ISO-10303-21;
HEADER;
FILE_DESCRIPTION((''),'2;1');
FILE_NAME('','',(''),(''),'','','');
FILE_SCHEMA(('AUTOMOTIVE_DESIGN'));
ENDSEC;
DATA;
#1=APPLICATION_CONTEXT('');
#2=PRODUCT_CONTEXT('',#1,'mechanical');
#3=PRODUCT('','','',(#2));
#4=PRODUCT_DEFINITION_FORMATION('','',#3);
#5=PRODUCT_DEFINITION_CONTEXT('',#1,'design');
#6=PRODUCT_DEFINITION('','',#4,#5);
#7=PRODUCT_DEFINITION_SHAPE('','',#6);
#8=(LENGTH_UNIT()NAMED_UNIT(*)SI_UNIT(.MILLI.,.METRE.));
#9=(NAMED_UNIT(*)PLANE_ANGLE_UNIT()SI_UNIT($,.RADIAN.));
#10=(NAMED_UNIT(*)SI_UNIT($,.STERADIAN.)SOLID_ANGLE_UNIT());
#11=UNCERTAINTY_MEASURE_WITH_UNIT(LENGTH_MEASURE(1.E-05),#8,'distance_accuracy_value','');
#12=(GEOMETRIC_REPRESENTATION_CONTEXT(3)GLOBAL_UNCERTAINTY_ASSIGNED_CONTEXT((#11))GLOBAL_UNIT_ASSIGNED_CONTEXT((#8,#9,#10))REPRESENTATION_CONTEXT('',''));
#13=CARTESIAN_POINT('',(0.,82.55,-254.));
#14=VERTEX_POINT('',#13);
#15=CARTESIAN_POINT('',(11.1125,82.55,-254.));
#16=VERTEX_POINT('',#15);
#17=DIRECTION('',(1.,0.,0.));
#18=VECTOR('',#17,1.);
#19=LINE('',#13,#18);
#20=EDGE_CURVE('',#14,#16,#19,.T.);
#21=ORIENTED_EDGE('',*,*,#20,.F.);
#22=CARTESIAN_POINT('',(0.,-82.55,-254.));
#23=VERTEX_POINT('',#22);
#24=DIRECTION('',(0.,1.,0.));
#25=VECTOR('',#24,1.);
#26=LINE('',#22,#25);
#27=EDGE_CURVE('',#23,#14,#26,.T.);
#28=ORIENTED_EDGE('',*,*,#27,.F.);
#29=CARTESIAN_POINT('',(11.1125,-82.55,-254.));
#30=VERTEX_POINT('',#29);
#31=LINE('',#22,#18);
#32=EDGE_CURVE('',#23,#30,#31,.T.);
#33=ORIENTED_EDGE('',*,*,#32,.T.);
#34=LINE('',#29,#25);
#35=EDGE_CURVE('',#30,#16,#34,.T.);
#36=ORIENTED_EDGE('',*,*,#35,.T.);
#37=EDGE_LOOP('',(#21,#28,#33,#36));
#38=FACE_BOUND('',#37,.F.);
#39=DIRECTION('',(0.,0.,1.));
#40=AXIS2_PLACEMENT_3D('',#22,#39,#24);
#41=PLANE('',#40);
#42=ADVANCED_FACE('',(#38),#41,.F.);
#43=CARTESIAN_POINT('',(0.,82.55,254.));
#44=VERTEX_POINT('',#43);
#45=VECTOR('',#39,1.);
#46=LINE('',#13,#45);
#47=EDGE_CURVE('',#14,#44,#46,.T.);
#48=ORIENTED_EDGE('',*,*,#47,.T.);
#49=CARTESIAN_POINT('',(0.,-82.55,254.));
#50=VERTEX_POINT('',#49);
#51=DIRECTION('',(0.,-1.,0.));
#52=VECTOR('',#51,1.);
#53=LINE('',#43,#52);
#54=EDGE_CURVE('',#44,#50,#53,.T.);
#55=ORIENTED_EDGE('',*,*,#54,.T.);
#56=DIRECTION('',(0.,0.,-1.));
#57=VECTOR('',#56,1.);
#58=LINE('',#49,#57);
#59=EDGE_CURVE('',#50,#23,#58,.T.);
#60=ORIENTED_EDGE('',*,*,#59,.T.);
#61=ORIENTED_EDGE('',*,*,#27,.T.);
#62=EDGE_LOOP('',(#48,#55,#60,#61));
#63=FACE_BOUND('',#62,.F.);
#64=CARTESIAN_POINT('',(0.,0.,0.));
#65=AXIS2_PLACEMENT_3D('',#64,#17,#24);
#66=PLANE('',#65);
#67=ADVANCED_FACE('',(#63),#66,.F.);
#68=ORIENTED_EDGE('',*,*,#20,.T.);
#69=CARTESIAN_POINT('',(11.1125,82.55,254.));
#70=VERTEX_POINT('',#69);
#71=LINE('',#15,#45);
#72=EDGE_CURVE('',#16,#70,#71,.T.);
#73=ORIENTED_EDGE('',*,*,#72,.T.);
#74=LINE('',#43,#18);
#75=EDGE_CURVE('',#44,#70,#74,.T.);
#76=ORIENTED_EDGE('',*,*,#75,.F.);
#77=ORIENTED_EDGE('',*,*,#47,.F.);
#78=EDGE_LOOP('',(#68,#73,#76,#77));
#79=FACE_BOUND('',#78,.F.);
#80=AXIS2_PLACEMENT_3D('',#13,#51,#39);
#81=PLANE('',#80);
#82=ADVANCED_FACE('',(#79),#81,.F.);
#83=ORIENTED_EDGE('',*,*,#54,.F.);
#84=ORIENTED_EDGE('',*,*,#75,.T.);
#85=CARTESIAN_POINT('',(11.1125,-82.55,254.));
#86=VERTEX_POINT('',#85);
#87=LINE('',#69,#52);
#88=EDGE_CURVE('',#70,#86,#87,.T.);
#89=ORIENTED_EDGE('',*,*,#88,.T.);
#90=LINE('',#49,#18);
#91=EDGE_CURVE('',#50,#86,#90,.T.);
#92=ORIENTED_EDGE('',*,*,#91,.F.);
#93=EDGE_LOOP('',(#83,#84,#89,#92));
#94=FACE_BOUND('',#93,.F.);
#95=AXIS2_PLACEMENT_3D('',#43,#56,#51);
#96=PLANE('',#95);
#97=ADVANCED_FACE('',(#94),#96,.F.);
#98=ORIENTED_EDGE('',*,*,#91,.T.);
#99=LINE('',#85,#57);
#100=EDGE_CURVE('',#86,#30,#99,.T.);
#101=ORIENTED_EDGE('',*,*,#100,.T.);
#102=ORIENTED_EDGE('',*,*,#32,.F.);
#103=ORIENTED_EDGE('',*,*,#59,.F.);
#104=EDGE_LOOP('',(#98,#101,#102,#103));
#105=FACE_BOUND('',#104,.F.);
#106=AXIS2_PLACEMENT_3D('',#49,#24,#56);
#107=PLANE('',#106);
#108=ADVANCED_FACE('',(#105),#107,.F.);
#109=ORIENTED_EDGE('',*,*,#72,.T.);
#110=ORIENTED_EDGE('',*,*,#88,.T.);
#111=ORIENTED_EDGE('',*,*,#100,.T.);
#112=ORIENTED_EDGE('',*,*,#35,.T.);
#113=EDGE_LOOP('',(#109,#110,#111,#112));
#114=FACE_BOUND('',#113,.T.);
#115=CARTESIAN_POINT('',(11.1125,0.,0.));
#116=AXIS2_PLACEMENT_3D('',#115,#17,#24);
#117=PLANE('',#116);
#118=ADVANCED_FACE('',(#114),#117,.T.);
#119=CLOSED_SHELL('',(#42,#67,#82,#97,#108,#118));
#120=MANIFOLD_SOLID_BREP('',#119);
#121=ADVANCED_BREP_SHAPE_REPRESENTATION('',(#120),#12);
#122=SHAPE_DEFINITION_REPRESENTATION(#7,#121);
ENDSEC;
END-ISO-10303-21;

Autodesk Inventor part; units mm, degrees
ref_plane "YZ Plane" through (0, 0, 0) normal (1, 0, 0) x (0, 1, 0)
ref_plane "XZ Plane" through (0, 0, 0) normal (0, 1, 0) x (-1, 0, 0)
ref_plane "XY Plane" through (0, 0, 0) normal (0, 0, 1) x (1, 0, 0)
sketch "Sketch1" plane through (0, 0, 0) normal (1, 0, 0) x (0, 1, 0)
  line L0 (-82.55, 254) -> (-82.55, -254)
  line L1 (-82.55, -254) -> (82.55, -254)
  line L2 (82.55, -254) -> (82.55, 254)
  line L3 (82.55, 254) -> (-82.55, 254)
  line L4 (-82.55, 254) -> (82.55, -254) construction
  line L5 (-82.55, -254) -> (82.55, 254) construction
  point P0 (0, 0)
  dimension "d0" = 508
  dimension "d1" = 165.1
extrude "Extrusion1" add sketch "Sketch1" along normal blind 11.1125
properties part number "Home Depot Composite Slat 20 in" material "Wood (Cherry)"
